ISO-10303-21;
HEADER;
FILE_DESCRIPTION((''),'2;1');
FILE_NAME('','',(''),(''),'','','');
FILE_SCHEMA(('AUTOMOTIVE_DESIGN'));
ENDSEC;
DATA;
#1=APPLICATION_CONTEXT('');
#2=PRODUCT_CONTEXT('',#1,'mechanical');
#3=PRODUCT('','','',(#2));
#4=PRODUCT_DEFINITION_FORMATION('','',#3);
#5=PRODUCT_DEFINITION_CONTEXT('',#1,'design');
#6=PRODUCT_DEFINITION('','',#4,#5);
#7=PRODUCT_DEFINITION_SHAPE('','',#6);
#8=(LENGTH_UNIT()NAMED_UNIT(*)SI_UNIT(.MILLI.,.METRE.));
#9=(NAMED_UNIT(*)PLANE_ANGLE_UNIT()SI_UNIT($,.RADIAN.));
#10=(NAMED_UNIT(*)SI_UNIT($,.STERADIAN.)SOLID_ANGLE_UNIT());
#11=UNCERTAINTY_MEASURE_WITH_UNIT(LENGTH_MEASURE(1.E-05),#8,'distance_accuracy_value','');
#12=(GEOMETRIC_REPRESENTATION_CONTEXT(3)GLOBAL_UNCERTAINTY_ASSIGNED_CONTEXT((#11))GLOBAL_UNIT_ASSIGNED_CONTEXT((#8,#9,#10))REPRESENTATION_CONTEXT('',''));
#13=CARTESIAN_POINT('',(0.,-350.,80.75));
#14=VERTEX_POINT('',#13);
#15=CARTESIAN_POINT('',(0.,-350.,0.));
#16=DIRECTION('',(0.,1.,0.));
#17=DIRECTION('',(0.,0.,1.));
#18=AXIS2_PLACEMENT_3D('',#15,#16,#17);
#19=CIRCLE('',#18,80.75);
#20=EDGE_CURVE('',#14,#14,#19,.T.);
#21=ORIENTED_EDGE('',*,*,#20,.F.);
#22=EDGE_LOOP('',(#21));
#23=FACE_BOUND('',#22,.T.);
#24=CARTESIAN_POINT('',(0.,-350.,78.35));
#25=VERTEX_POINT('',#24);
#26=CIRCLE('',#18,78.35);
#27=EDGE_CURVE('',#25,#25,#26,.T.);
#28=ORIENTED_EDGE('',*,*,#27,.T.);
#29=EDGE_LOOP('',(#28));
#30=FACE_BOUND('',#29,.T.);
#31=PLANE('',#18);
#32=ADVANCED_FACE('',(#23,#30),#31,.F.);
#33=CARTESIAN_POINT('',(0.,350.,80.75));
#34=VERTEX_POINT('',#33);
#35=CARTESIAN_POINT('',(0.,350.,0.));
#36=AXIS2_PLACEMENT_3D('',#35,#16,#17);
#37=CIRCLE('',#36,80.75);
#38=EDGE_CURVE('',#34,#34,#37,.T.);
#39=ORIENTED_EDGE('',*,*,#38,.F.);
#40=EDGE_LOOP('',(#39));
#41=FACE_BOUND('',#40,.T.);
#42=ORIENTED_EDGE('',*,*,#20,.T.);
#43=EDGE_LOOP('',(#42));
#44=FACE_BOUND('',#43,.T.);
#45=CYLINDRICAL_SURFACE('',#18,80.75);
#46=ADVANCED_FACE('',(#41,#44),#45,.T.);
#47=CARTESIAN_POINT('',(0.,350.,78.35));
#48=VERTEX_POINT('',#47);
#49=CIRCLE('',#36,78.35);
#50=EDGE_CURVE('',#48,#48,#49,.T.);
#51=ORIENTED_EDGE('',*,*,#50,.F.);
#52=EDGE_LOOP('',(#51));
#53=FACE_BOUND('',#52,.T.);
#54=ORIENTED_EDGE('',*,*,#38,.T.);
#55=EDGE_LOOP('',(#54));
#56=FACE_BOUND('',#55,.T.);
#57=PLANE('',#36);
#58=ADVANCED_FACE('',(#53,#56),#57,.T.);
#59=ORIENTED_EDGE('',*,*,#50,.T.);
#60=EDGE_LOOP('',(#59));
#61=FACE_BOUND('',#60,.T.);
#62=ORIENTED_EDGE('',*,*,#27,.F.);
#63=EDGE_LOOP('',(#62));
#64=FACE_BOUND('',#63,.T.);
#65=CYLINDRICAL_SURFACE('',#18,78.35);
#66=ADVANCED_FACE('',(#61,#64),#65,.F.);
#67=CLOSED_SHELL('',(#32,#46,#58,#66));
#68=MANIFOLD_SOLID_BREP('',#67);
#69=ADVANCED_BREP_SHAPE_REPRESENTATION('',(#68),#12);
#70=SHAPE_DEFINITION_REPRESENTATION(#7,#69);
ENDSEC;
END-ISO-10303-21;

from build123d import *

# Parameters (mm, degrees)
BOSS_EXTRUDE1_DEPTH      = 350
BOSS_EXTRUDE1_DEPTH_BACK = 350
SKETCH1_R                = 80.75
SKETCH1_R_2              = 78.35


with BuildPart() as part:
    # Sketch1 → Boss-Extrude1 (new, two sides: drawn at the far end of the back side and taken through both)
    with BuildSketch(Plane(origin=(0, 0, 0), x_dir=(1, 0, 0), z_dir=(0, 1, 0)).offset(-BOSS_EXTRUDE1_DEPTH_BACK)):
        Circle(SKETCH1_R)
        Circle(SKETCH1_R_2, mode=Mode.SUBTRACT)
    extrude(amount=BOSS_EXTRUDE1_DEPTH + BOSS_EXTRUDE1_DEPTH_BACK)


solid = part.part
